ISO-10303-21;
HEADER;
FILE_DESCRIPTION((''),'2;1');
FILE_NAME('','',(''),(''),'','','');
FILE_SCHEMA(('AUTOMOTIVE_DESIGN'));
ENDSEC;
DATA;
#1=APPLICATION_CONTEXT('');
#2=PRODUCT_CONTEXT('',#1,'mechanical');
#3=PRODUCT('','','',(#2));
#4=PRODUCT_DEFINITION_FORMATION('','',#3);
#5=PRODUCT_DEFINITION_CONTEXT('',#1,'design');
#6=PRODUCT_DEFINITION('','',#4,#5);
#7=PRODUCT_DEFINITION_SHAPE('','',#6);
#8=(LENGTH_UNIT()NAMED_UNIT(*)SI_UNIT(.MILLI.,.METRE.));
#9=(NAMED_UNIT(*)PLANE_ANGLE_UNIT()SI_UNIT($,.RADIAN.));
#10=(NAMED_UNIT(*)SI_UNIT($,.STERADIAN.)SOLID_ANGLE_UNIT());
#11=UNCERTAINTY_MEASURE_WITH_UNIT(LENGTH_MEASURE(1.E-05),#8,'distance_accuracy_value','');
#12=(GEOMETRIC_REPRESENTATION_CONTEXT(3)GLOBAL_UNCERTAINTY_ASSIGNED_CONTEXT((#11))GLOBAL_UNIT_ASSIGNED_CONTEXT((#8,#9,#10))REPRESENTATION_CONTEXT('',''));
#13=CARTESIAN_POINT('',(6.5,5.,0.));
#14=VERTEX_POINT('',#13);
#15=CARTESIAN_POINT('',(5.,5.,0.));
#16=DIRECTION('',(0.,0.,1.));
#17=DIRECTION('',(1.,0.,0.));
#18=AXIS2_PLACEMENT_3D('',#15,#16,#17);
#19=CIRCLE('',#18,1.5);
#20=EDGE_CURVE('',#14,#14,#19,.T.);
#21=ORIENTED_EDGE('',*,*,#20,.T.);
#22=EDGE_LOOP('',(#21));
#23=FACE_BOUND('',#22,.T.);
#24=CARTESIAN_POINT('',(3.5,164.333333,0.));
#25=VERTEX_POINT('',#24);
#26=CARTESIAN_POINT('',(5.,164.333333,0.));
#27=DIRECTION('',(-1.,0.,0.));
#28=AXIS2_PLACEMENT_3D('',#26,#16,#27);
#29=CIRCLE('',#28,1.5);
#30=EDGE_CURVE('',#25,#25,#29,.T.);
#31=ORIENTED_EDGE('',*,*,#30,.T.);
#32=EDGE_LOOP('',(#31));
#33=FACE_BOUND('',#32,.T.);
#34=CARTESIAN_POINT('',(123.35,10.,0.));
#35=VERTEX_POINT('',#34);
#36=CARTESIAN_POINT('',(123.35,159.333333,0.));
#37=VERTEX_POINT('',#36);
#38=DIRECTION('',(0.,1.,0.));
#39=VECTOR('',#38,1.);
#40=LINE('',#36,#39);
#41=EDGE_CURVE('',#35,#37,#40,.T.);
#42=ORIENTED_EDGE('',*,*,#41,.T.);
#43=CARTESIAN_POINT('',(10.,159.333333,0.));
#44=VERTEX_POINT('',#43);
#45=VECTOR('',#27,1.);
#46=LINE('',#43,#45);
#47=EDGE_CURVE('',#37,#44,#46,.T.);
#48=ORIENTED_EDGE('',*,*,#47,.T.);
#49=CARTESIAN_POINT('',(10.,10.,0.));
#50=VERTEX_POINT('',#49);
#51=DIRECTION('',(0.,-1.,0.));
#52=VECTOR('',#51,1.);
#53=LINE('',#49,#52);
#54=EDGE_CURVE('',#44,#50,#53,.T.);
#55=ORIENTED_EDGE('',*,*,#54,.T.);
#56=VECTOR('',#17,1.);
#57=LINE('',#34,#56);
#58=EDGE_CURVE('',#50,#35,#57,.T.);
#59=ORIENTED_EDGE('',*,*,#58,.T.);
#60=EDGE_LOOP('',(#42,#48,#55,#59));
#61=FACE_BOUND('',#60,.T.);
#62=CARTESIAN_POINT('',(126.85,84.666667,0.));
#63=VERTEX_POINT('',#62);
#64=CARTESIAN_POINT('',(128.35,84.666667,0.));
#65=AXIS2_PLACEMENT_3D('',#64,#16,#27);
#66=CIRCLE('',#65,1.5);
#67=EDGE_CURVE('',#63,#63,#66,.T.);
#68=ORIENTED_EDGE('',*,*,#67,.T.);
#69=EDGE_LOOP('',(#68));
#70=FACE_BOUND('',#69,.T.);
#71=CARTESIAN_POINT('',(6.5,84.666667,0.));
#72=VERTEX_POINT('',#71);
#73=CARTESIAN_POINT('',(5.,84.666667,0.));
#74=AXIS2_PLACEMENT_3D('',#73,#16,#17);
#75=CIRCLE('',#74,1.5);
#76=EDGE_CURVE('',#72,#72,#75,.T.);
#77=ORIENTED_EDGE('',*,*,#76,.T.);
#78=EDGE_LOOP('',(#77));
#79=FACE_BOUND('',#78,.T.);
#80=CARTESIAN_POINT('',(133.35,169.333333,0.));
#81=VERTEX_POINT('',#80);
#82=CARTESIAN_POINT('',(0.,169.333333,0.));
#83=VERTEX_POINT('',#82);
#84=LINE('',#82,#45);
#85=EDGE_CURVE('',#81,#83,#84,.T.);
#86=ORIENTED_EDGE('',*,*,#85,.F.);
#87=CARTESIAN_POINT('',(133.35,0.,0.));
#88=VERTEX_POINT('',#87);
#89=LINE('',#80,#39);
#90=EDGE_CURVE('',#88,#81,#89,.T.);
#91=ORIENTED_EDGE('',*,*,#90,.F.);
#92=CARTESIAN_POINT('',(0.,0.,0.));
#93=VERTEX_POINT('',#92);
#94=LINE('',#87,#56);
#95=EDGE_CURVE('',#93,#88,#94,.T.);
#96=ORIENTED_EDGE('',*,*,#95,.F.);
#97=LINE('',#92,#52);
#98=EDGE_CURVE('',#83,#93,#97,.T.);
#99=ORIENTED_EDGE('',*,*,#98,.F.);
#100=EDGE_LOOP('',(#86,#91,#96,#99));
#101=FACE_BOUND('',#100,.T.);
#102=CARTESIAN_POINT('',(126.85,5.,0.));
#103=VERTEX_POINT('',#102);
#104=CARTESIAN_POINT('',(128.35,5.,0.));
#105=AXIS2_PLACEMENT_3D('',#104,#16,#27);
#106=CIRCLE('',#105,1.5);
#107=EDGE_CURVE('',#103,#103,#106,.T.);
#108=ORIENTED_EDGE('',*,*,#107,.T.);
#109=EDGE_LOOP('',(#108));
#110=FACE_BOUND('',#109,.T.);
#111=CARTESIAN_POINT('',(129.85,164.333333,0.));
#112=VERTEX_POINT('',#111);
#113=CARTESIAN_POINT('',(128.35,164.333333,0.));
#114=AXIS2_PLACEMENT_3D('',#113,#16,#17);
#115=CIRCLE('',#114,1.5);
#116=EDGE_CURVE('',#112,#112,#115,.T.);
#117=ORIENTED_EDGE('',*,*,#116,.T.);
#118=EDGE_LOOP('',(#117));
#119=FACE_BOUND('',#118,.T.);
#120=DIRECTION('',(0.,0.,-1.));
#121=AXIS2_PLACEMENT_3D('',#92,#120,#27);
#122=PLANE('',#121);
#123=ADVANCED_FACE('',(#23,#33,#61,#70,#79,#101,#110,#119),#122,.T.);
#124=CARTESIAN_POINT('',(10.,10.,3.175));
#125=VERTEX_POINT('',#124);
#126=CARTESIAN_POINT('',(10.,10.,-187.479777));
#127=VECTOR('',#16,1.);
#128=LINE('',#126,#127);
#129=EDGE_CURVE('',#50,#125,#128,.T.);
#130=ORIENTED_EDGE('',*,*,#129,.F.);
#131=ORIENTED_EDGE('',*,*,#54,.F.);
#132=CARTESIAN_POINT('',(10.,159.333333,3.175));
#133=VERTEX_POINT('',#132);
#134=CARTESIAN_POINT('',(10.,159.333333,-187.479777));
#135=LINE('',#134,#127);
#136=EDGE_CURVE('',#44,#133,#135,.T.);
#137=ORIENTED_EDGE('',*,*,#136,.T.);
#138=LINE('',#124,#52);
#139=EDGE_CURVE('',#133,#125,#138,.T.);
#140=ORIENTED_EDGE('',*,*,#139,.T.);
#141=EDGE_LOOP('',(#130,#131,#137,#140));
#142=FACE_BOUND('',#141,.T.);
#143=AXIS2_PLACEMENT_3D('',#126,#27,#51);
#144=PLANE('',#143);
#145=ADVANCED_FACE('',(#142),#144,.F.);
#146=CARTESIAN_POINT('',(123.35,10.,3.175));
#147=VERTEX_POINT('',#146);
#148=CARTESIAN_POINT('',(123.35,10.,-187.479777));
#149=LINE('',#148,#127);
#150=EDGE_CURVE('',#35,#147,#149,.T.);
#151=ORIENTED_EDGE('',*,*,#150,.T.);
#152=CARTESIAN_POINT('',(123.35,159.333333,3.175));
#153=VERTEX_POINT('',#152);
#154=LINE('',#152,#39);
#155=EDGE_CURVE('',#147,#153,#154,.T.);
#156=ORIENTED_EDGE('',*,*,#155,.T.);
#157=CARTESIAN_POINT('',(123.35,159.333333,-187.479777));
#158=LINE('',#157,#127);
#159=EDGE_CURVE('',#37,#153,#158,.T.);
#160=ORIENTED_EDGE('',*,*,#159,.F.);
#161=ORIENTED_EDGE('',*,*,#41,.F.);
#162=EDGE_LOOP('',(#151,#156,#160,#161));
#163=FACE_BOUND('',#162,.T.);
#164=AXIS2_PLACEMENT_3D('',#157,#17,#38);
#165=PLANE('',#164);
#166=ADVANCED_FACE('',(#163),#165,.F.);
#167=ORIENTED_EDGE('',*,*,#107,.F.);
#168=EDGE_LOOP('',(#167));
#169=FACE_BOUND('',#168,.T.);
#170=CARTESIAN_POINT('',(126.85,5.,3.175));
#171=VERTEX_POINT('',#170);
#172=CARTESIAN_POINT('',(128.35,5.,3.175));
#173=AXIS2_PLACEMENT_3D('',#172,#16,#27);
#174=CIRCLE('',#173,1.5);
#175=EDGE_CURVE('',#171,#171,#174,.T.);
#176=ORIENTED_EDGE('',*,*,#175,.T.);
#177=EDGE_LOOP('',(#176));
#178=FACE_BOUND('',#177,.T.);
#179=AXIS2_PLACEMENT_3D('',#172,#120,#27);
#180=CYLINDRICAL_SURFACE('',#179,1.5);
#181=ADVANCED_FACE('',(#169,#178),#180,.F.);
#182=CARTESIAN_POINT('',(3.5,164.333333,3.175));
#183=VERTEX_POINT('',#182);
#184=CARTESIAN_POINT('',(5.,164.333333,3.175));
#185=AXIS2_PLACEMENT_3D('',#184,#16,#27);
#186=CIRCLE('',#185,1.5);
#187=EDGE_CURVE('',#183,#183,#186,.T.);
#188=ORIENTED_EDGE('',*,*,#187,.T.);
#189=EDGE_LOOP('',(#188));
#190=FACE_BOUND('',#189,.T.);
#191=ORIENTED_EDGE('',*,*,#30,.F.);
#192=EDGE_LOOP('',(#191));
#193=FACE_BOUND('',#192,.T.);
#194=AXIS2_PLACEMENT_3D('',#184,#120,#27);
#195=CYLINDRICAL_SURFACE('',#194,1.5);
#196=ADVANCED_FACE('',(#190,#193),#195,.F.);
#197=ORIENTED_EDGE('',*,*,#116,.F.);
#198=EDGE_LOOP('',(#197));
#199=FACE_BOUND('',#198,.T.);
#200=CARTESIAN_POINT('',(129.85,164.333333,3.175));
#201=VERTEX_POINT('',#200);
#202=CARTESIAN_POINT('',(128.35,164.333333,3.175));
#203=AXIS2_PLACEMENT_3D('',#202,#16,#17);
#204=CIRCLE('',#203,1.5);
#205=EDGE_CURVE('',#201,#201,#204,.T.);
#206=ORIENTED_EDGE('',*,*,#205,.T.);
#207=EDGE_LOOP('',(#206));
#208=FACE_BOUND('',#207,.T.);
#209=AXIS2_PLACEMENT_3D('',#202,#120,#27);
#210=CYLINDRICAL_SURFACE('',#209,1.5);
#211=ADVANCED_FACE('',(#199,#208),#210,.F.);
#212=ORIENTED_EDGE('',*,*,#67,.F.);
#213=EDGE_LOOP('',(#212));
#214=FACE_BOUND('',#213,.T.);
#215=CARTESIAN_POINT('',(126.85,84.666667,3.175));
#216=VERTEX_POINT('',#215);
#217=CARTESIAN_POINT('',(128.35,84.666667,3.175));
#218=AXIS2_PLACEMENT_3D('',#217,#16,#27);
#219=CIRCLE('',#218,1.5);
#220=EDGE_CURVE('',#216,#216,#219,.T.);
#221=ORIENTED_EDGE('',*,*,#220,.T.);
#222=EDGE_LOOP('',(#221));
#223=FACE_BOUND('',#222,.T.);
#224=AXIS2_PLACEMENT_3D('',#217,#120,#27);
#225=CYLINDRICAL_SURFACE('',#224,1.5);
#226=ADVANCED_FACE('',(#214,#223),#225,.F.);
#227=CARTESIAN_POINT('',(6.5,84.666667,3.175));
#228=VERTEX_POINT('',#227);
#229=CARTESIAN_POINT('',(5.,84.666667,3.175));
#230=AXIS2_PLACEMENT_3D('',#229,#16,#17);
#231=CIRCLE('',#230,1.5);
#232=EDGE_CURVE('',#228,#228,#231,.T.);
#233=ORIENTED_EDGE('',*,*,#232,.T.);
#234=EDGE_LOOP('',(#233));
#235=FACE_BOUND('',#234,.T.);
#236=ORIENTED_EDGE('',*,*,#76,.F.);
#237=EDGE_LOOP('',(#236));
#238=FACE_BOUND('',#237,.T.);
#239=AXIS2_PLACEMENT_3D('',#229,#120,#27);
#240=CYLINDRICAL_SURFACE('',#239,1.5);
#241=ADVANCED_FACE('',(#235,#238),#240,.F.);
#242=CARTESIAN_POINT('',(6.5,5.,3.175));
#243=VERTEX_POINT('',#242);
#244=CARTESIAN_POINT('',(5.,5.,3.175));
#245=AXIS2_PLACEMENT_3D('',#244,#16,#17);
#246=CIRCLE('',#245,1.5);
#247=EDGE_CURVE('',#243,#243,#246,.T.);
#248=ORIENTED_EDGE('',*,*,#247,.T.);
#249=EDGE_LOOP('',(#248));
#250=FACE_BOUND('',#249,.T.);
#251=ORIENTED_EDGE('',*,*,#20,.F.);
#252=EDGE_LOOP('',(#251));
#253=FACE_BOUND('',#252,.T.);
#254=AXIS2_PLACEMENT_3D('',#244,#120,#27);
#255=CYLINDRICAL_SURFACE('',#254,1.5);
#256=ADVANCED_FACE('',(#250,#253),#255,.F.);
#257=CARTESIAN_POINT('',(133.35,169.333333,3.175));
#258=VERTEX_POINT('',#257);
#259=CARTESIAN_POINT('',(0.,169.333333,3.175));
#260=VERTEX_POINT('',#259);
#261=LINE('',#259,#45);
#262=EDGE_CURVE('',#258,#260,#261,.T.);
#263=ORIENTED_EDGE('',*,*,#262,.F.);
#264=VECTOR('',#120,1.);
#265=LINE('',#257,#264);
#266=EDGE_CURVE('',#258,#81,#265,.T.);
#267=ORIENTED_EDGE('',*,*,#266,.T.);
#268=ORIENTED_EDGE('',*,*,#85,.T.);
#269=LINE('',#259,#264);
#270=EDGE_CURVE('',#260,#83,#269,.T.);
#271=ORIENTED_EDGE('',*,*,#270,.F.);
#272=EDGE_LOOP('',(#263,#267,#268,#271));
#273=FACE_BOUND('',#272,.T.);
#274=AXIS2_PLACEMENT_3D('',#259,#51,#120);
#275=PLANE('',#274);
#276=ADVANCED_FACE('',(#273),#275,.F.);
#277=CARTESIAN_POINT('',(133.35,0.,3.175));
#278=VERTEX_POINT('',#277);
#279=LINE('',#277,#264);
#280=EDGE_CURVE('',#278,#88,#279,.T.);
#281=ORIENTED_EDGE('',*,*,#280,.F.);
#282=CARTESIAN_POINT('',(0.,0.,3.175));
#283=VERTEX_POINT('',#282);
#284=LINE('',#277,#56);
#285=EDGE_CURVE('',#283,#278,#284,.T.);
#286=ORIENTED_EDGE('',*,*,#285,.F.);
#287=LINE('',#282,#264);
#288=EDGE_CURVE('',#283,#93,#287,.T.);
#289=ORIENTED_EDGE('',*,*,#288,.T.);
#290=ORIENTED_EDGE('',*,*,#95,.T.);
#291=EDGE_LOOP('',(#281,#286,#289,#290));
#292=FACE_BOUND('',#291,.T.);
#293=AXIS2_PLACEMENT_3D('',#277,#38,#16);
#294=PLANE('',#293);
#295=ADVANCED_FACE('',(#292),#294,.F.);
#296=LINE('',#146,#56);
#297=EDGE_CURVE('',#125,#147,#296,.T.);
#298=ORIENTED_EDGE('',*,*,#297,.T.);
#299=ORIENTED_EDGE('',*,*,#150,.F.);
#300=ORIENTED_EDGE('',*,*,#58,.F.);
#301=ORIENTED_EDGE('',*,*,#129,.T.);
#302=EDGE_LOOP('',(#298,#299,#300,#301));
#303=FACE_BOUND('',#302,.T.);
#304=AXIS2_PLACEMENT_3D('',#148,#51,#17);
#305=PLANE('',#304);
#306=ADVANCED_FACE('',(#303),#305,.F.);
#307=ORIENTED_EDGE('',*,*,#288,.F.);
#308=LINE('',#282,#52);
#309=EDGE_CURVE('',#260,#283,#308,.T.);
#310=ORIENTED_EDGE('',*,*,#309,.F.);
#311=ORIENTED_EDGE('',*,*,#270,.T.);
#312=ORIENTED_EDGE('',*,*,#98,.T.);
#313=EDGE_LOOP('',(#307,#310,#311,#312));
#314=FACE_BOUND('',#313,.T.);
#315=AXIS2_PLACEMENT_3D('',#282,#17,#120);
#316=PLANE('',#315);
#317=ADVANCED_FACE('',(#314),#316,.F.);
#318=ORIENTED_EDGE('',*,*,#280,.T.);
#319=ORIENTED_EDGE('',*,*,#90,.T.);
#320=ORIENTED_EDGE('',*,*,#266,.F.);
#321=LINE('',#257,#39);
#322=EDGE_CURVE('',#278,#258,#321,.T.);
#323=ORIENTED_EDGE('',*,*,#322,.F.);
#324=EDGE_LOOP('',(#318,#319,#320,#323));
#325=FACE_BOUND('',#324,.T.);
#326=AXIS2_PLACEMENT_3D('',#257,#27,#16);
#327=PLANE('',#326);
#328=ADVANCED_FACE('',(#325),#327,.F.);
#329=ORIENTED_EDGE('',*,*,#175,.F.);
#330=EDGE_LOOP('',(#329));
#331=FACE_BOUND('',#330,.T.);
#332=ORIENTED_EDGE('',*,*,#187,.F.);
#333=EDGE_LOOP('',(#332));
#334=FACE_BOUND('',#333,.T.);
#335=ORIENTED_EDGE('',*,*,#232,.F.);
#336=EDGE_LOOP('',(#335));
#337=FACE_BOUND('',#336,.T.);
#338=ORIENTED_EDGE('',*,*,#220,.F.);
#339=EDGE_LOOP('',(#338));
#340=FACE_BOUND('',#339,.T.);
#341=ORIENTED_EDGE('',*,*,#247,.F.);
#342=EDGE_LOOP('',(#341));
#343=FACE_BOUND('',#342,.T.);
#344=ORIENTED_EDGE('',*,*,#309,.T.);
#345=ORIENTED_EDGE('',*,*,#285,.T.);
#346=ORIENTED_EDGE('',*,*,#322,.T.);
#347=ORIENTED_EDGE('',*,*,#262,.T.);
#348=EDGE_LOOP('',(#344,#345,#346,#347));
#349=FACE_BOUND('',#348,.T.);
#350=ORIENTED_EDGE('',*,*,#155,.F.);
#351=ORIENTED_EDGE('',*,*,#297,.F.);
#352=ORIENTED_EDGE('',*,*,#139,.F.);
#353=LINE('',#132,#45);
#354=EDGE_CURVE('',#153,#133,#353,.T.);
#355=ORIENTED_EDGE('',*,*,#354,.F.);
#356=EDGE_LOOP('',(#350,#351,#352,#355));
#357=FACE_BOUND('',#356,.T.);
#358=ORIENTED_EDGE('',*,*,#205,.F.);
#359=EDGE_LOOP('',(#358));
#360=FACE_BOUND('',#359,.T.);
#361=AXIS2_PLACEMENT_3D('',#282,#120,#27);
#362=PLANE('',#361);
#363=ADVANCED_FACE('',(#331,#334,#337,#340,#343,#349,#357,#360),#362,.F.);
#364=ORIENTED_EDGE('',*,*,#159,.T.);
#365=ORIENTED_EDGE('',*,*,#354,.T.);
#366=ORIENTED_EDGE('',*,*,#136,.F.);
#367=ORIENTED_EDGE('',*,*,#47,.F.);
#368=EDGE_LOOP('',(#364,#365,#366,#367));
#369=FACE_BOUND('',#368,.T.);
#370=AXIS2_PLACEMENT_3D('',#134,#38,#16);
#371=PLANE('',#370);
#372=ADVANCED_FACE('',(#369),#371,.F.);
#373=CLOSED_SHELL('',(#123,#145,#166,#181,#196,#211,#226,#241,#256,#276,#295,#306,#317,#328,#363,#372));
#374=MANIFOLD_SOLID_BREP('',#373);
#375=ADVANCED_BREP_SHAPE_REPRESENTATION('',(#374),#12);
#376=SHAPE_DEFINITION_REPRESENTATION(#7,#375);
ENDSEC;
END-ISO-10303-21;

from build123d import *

# Parameters (mm, degrees)
SKETCH1_W           = 133.35
SKETCH1_H           = 169.333333333
SKETCH1_R           = 1.5
BOSS_EXTRUDE1_DEPTH = 3.175
SKETCH2_W           = 113.35
SKETCH2_H           = 149.333333333
CUT_EXTRUDE1_DEPTH  = 3.175


with BuildPart() as part:
    # Sketch1 → Boss-Extrude1 (new body)
    with BuildSketch(Plane.XY):
        with Locations((66.675, 84.666666667)):
            Rectangle(SKETCH1_W, SKETCH1_H)
        with Locations((5, 5)):
            Circle(SKETCH1_R, mode=Mode.SUBTRACT)
        with Locations((5, 164.333333333)):
            Circle(SKETCH1_R, mode=Mode.SUBTRACT)
        with Locations((5, 84.666666667)):
            Circle(SKETCH1_R, mode=Mode.SUBTRACT)
        with Locations((128.35, 164.333333333)):
            Circle(SKETCH1_R, mode=Mode.SUBTRACT)
        with Locations((128.35, 84.666666667)):
            Circle(SKETCH1_R, mode=Mode.SUBTRACT)
        with Locations((128.35, 5)):
            Circle(SKETCH1_R, mode=Mode.SUBTRACT)
    extrude(amount=BOSS_EXTRUDE1_DEPTH)

    # Sketch2 → Cut-Extrude1 (cut)
    with BuildSketch(Plane.XY.offset(3.175)):
        with Locations((66.675, 84.666666667)):
            Rectangle(SKETCH2_W, SKETCH2_H)
    extrude(amount=-CUT_EXTRUDE1_DEPTH, mode=Mode.SUBTRACT)


solid = part.part
